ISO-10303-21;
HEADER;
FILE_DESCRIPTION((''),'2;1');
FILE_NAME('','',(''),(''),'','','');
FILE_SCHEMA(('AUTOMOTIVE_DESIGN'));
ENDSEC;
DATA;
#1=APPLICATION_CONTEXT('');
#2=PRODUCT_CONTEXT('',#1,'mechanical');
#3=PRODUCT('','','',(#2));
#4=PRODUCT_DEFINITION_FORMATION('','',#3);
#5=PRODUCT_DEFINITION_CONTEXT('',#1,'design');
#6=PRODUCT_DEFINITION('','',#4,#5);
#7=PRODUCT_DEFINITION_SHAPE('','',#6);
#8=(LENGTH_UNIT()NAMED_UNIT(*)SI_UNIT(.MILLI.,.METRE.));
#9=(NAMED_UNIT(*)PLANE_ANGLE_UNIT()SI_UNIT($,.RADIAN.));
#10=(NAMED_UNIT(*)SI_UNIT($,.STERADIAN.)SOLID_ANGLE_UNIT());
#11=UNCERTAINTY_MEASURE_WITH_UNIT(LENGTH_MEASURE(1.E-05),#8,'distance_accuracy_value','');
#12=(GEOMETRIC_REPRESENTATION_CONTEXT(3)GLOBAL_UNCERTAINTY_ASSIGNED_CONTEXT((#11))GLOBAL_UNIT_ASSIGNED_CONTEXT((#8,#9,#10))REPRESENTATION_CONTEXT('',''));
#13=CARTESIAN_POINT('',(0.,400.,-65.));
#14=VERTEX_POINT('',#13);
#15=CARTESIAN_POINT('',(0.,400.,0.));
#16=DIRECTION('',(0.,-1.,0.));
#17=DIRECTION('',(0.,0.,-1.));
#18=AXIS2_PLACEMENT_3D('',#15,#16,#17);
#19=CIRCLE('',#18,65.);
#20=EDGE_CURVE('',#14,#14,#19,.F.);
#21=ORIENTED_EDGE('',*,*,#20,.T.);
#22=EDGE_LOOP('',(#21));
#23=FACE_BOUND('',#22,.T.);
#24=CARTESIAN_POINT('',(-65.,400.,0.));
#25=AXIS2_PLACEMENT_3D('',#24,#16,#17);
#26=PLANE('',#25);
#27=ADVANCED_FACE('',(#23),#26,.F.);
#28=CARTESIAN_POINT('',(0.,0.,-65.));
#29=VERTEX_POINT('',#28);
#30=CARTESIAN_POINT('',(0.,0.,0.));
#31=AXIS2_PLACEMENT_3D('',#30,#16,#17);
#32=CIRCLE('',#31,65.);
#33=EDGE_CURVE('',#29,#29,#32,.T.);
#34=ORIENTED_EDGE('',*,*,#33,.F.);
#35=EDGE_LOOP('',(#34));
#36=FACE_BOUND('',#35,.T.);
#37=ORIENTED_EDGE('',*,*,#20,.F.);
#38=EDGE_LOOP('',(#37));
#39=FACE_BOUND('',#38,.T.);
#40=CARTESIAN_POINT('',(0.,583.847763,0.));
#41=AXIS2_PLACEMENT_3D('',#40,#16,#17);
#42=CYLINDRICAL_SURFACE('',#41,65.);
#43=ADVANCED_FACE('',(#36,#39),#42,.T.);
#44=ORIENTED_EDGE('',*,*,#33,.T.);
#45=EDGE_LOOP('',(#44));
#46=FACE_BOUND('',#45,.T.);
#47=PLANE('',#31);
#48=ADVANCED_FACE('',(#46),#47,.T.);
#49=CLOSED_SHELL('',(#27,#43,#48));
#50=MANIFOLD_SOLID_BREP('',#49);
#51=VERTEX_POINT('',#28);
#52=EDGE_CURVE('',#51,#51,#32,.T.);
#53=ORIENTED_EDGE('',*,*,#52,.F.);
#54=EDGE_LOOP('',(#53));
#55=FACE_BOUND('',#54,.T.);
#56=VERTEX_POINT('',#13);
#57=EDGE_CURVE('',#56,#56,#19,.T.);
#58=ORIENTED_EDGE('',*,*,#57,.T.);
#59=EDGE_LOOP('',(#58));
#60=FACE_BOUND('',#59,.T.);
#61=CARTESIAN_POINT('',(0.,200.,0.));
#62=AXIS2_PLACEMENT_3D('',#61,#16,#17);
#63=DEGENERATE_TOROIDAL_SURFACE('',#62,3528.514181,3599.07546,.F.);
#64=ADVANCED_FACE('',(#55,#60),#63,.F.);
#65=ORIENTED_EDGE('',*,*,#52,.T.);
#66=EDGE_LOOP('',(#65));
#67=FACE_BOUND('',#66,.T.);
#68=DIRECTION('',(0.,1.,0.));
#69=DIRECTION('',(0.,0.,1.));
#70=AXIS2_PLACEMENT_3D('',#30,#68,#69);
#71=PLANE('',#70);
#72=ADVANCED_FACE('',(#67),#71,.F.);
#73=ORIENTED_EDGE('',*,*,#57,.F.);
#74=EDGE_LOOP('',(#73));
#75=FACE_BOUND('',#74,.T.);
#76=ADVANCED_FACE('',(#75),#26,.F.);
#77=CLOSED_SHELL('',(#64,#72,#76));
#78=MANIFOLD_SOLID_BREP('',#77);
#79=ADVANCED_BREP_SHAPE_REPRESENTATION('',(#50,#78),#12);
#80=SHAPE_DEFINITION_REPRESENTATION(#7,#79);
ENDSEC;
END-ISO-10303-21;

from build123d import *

# Parameters (mm, degrees)
SCHIZZO2_R                   = 65
ESTRUSIONE_ESTRUSIONE1_DEPTH = 400


with BuildPart() as part:
    # Schizzo1 → Rivoluzione1 (revolve)
    with BuildSketch(Plane.XY):
        with BuildLine():
            Line((0, 0), (-65, 0))
            ThreePointArc((-65, 0), (-70.561279316, 200), (-65, 400))
            Line((-65, 400), (0, 400))
            Line((0, 400), (0, 0))
        make_face()
    revolve(axis=Axis((0, 0, 0), (0, 1, 0)))


with BuildPart() as body_2:
    # Schizzo2 → Estrusione-Estrusione1 (new body)
    with BuildSketch(Plane.XZ):
        Circle(SCHIZZO2_R)
    extrude(amount=-ESTRUSIONE_ESTRUSIONE1_DEPTH)


solid = Compound([part.part, body_2.part])
